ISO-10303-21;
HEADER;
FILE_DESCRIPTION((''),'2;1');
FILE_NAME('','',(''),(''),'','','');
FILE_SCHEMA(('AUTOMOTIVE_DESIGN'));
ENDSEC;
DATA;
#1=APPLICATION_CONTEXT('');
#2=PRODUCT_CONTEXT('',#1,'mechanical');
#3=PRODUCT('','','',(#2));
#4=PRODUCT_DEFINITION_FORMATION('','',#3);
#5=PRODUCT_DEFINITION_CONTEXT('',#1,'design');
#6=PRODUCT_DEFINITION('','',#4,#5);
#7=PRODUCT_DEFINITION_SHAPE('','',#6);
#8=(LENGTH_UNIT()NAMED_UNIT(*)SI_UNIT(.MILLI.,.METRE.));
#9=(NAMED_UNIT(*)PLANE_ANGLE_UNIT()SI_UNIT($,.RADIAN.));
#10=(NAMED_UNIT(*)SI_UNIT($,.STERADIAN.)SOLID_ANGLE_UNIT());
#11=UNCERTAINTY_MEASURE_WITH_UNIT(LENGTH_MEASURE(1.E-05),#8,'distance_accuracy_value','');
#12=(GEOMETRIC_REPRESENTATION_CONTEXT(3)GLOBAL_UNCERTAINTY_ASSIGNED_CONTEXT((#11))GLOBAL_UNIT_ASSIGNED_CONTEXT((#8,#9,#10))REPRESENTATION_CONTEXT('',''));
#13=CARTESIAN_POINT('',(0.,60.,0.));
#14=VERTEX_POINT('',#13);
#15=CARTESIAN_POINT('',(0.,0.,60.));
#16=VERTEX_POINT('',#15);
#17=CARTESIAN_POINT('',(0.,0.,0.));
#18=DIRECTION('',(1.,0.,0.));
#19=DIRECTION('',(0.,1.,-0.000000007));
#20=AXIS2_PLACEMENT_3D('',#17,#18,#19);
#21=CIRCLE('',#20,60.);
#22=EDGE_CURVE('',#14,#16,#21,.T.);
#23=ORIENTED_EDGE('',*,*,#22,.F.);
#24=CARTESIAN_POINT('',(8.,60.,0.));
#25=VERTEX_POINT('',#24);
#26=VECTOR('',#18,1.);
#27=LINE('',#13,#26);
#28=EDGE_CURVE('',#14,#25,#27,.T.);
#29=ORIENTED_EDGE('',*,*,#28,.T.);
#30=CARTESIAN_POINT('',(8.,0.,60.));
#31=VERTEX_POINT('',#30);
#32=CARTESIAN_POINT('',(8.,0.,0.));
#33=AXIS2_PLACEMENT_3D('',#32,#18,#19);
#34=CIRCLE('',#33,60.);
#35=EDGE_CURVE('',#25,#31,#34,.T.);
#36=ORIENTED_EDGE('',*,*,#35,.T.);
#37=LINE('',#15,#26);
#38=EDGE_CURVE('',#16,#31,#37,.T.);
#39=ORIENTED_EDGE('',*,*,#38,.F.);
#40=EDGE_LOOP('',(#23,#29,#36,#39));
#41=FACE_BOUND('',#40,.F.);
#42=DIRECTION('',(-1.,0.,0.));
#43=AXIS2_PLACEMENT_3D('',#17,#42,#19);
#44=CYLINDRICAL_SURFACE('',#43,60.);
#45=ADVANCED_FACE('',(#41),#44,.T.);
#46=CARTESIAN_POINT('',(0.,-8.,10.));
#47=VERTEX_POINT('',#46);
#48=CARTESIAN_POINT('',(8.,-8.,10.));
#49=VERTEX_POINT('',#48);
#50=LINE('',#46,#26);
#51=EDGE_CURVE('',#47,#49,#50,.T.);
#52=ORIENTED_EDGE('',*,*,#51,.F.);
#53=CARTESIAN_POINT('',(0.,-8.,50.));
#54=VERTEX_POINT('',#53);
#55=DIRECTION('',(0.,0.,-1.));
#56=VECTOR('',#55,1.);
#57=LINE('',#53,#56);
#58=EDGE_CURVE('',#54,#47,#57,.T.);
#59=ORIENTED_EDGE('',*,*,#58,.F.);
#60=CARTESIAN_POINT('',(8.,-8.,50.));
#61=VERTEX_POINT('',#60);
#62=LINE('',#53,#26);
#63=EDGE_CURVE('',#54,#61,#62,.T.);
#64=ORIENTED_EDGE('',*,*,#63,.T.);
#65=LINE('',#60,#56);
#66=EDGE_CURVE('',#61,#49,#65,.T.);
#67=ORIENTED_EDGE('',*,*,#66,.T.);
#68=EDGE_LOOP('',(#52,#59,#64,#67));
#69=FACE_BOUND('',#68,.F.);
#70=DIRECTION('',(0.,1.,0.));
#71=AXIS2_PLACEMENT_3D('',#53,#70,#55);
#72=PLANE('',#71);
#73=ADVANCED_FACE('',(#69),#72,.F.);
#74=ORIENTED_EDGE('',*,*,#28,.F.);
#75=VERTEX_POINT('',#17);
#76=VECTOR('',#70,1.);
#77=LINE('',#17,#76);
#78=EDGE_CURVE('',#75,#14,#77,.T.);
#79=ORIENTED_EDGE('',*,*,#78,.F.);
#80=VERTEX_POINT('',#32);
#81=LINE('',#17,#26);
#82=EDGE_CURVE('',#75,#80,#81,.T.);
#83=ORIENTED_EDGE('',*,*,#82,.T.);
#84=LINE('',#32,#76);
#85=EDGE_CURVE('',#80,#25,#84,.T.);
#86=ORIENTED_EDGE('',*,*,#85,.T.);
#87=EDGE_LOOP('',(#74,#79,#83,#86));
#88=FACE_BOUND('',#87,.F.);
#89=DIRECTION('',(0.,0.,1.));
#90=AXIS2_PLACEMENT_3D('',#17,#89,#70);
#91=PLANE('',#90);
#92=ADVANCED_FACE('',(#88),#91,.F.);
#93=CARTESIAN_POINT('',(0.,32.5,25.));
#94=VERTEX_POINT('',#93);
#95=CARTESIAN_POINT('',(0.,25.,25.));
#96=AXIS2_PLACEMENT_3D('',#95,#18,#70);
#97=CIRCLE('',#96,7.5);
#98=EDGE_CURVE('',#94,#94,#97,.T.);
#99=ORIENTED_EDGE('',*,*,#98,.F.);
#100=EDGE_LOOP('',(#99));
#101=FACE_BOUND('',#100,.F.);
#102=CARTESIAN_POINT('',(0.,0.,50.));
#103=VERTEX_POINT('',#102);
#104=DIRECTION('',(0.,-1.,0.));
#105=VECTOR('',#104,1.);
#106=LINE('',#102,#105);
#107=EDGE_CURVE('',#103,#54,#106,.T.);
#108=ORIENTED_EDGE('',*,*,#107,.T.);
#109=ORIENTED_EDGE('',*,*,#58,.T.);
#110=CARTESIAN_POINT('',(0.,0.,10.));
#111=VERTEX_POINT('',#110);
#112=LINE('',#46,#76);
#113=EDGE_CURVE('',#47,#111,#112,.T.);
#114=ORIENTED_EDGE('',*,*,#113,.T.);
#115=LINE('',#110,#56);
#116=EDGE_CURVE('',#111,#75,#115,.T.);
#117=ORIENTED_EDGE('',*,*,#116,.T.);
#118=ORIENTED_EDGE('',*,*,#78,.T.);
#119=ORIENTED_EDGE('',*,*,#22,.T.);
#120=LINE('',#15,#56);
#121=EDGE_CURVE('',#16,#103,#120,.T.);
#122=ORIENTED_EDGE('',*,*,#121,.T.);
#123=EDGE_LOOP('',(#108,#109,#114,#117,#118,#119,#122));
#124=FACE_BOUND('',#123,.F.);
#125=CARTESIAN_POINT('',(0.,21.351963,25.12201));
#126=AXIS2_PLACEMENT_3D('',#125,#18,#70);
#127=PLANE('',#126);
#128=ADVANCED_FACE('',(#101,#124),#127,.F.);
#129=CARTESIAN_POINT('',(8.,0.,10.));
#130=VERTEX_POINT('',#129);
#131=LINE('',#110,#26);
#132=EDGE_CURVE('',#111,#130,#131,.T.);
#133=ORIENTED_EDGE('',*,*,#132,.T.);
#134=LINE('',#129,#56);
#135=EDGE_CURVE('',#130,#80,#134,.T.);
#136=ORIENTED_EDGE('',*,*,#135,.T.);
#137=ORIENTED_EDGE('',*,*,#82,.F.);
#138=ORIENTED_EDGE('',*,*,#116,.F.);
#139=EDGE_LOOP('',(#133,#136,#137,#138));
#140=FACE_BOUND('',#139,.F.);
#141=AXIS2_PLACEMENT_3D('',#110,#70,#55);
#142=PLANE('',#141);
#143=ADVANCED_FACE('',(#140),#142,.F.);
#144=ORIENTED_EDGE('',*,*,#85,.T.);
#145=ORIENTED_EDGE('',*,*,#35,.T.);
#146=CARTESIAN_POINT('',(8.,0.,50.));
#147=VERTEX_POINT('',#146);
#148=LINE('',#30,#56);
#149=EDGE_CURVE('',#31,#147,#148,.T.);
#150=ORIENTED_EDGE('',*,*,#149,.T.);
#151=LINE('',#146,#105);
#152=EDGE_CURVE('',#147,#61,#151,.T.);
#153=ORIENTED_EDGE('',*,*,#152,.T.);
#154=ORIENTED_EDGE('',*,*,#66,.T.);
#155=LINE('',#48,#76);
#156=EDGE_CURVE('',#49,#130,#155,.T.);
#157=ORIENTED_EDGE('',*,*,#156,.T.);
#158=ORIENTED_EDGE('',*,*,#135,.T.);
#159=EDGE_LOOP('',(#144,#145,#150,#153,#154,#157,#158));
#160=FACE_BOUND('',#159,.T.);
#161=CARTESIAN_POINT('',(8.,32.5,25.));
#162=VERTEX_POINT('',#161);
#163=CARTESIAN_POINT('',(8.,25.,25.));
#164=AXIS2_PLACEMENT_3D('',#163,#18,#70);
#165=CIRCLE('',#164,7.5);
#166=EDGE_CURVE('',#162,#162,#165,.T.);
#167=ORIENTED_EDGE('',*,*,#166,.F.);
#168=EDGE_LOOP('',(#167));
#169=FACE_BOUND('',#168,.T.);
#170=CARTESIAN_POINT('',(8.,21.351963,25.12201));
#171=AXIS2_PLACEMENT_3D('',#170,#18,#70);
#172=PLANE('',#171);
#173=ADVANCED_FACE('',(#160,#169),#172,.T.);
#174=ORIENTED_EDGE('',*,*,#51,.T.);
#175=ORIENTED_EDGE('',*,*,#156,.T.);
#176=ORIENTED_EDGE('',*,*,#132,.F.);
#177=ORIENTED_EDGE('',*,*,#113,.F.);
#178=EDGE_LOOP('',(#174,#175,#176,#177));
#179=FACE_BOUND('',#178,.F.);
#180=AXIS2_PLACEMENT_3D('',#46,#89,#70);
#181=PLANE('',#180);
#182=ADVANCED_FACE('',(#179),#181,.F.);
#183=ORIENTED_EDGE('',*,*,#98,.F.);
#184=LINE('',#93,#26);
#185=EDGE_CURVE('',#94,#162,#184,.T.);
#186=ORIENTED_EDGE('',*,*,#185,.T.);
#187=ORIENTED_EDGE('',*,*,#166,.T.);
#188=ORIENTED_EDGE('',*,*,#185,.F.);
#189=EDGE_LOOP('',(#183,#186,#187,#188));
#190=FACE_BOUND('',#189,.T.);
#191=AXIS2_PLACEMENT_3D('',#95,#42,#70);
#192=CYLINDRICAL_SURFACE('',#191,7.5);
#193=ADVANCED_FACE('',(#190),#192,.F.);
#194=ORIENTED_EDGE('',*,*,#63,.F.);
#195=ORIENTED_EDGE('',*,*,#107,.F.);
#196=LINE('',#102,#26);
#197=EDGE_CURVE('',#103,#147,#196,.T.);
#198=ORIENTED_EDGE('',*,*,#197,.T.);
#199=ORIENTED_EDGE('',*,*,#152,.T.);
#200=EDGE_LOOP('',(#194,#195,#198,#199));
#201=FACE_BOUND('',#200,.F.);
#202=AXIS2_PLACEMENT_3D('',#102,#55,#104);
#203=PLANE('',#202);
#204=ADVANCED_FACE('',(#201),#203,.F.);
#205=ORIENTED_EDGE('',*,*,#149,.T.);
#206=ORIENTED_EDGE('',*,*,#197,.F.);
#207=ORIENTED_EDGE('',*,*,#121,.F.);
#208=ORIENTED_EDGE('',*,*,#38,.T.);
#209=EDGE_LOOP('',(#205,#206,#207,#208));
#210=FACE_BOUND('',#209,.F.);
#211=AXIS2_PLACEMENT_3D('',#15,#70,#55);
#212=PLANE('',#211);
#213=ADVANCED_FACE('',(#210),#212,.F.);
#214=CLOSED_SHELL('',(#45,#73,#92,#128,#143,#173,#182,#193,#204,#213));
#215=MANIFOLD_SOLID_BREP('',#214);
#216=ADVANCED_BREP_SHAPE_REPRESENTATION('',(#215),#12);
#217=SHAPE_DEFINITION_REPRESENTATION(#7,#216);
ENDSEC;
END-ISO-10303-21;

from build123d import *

# Parameters (mm, degrees)
F0_R     = 7.5
F1_DEPTH = 8


with BuildPart() as f1:
    # F0 (on Right) → F1 (new body)
    with BuildSketch(Plane.YZ):
        with BuildLine():
            Line((0, 10), (0, 0))
            Line((0, 0), (60, 0))
            ThreePointArc((60, 0), (42.426407, 42.426407), (0, 60))
            Line((0, 60), (0, 50))
            Line((0, 50), (-8, 50))
            Line((-8, 50), (-8, 10))
            Line((-8, 10), (0, 10))
        make_face()
        with Locations((25, 25)):
            Circle(F0_R, mode=Mode.SUBTRACT)
    extrude(amount=F1_DEPTH)


solid = f1.part
